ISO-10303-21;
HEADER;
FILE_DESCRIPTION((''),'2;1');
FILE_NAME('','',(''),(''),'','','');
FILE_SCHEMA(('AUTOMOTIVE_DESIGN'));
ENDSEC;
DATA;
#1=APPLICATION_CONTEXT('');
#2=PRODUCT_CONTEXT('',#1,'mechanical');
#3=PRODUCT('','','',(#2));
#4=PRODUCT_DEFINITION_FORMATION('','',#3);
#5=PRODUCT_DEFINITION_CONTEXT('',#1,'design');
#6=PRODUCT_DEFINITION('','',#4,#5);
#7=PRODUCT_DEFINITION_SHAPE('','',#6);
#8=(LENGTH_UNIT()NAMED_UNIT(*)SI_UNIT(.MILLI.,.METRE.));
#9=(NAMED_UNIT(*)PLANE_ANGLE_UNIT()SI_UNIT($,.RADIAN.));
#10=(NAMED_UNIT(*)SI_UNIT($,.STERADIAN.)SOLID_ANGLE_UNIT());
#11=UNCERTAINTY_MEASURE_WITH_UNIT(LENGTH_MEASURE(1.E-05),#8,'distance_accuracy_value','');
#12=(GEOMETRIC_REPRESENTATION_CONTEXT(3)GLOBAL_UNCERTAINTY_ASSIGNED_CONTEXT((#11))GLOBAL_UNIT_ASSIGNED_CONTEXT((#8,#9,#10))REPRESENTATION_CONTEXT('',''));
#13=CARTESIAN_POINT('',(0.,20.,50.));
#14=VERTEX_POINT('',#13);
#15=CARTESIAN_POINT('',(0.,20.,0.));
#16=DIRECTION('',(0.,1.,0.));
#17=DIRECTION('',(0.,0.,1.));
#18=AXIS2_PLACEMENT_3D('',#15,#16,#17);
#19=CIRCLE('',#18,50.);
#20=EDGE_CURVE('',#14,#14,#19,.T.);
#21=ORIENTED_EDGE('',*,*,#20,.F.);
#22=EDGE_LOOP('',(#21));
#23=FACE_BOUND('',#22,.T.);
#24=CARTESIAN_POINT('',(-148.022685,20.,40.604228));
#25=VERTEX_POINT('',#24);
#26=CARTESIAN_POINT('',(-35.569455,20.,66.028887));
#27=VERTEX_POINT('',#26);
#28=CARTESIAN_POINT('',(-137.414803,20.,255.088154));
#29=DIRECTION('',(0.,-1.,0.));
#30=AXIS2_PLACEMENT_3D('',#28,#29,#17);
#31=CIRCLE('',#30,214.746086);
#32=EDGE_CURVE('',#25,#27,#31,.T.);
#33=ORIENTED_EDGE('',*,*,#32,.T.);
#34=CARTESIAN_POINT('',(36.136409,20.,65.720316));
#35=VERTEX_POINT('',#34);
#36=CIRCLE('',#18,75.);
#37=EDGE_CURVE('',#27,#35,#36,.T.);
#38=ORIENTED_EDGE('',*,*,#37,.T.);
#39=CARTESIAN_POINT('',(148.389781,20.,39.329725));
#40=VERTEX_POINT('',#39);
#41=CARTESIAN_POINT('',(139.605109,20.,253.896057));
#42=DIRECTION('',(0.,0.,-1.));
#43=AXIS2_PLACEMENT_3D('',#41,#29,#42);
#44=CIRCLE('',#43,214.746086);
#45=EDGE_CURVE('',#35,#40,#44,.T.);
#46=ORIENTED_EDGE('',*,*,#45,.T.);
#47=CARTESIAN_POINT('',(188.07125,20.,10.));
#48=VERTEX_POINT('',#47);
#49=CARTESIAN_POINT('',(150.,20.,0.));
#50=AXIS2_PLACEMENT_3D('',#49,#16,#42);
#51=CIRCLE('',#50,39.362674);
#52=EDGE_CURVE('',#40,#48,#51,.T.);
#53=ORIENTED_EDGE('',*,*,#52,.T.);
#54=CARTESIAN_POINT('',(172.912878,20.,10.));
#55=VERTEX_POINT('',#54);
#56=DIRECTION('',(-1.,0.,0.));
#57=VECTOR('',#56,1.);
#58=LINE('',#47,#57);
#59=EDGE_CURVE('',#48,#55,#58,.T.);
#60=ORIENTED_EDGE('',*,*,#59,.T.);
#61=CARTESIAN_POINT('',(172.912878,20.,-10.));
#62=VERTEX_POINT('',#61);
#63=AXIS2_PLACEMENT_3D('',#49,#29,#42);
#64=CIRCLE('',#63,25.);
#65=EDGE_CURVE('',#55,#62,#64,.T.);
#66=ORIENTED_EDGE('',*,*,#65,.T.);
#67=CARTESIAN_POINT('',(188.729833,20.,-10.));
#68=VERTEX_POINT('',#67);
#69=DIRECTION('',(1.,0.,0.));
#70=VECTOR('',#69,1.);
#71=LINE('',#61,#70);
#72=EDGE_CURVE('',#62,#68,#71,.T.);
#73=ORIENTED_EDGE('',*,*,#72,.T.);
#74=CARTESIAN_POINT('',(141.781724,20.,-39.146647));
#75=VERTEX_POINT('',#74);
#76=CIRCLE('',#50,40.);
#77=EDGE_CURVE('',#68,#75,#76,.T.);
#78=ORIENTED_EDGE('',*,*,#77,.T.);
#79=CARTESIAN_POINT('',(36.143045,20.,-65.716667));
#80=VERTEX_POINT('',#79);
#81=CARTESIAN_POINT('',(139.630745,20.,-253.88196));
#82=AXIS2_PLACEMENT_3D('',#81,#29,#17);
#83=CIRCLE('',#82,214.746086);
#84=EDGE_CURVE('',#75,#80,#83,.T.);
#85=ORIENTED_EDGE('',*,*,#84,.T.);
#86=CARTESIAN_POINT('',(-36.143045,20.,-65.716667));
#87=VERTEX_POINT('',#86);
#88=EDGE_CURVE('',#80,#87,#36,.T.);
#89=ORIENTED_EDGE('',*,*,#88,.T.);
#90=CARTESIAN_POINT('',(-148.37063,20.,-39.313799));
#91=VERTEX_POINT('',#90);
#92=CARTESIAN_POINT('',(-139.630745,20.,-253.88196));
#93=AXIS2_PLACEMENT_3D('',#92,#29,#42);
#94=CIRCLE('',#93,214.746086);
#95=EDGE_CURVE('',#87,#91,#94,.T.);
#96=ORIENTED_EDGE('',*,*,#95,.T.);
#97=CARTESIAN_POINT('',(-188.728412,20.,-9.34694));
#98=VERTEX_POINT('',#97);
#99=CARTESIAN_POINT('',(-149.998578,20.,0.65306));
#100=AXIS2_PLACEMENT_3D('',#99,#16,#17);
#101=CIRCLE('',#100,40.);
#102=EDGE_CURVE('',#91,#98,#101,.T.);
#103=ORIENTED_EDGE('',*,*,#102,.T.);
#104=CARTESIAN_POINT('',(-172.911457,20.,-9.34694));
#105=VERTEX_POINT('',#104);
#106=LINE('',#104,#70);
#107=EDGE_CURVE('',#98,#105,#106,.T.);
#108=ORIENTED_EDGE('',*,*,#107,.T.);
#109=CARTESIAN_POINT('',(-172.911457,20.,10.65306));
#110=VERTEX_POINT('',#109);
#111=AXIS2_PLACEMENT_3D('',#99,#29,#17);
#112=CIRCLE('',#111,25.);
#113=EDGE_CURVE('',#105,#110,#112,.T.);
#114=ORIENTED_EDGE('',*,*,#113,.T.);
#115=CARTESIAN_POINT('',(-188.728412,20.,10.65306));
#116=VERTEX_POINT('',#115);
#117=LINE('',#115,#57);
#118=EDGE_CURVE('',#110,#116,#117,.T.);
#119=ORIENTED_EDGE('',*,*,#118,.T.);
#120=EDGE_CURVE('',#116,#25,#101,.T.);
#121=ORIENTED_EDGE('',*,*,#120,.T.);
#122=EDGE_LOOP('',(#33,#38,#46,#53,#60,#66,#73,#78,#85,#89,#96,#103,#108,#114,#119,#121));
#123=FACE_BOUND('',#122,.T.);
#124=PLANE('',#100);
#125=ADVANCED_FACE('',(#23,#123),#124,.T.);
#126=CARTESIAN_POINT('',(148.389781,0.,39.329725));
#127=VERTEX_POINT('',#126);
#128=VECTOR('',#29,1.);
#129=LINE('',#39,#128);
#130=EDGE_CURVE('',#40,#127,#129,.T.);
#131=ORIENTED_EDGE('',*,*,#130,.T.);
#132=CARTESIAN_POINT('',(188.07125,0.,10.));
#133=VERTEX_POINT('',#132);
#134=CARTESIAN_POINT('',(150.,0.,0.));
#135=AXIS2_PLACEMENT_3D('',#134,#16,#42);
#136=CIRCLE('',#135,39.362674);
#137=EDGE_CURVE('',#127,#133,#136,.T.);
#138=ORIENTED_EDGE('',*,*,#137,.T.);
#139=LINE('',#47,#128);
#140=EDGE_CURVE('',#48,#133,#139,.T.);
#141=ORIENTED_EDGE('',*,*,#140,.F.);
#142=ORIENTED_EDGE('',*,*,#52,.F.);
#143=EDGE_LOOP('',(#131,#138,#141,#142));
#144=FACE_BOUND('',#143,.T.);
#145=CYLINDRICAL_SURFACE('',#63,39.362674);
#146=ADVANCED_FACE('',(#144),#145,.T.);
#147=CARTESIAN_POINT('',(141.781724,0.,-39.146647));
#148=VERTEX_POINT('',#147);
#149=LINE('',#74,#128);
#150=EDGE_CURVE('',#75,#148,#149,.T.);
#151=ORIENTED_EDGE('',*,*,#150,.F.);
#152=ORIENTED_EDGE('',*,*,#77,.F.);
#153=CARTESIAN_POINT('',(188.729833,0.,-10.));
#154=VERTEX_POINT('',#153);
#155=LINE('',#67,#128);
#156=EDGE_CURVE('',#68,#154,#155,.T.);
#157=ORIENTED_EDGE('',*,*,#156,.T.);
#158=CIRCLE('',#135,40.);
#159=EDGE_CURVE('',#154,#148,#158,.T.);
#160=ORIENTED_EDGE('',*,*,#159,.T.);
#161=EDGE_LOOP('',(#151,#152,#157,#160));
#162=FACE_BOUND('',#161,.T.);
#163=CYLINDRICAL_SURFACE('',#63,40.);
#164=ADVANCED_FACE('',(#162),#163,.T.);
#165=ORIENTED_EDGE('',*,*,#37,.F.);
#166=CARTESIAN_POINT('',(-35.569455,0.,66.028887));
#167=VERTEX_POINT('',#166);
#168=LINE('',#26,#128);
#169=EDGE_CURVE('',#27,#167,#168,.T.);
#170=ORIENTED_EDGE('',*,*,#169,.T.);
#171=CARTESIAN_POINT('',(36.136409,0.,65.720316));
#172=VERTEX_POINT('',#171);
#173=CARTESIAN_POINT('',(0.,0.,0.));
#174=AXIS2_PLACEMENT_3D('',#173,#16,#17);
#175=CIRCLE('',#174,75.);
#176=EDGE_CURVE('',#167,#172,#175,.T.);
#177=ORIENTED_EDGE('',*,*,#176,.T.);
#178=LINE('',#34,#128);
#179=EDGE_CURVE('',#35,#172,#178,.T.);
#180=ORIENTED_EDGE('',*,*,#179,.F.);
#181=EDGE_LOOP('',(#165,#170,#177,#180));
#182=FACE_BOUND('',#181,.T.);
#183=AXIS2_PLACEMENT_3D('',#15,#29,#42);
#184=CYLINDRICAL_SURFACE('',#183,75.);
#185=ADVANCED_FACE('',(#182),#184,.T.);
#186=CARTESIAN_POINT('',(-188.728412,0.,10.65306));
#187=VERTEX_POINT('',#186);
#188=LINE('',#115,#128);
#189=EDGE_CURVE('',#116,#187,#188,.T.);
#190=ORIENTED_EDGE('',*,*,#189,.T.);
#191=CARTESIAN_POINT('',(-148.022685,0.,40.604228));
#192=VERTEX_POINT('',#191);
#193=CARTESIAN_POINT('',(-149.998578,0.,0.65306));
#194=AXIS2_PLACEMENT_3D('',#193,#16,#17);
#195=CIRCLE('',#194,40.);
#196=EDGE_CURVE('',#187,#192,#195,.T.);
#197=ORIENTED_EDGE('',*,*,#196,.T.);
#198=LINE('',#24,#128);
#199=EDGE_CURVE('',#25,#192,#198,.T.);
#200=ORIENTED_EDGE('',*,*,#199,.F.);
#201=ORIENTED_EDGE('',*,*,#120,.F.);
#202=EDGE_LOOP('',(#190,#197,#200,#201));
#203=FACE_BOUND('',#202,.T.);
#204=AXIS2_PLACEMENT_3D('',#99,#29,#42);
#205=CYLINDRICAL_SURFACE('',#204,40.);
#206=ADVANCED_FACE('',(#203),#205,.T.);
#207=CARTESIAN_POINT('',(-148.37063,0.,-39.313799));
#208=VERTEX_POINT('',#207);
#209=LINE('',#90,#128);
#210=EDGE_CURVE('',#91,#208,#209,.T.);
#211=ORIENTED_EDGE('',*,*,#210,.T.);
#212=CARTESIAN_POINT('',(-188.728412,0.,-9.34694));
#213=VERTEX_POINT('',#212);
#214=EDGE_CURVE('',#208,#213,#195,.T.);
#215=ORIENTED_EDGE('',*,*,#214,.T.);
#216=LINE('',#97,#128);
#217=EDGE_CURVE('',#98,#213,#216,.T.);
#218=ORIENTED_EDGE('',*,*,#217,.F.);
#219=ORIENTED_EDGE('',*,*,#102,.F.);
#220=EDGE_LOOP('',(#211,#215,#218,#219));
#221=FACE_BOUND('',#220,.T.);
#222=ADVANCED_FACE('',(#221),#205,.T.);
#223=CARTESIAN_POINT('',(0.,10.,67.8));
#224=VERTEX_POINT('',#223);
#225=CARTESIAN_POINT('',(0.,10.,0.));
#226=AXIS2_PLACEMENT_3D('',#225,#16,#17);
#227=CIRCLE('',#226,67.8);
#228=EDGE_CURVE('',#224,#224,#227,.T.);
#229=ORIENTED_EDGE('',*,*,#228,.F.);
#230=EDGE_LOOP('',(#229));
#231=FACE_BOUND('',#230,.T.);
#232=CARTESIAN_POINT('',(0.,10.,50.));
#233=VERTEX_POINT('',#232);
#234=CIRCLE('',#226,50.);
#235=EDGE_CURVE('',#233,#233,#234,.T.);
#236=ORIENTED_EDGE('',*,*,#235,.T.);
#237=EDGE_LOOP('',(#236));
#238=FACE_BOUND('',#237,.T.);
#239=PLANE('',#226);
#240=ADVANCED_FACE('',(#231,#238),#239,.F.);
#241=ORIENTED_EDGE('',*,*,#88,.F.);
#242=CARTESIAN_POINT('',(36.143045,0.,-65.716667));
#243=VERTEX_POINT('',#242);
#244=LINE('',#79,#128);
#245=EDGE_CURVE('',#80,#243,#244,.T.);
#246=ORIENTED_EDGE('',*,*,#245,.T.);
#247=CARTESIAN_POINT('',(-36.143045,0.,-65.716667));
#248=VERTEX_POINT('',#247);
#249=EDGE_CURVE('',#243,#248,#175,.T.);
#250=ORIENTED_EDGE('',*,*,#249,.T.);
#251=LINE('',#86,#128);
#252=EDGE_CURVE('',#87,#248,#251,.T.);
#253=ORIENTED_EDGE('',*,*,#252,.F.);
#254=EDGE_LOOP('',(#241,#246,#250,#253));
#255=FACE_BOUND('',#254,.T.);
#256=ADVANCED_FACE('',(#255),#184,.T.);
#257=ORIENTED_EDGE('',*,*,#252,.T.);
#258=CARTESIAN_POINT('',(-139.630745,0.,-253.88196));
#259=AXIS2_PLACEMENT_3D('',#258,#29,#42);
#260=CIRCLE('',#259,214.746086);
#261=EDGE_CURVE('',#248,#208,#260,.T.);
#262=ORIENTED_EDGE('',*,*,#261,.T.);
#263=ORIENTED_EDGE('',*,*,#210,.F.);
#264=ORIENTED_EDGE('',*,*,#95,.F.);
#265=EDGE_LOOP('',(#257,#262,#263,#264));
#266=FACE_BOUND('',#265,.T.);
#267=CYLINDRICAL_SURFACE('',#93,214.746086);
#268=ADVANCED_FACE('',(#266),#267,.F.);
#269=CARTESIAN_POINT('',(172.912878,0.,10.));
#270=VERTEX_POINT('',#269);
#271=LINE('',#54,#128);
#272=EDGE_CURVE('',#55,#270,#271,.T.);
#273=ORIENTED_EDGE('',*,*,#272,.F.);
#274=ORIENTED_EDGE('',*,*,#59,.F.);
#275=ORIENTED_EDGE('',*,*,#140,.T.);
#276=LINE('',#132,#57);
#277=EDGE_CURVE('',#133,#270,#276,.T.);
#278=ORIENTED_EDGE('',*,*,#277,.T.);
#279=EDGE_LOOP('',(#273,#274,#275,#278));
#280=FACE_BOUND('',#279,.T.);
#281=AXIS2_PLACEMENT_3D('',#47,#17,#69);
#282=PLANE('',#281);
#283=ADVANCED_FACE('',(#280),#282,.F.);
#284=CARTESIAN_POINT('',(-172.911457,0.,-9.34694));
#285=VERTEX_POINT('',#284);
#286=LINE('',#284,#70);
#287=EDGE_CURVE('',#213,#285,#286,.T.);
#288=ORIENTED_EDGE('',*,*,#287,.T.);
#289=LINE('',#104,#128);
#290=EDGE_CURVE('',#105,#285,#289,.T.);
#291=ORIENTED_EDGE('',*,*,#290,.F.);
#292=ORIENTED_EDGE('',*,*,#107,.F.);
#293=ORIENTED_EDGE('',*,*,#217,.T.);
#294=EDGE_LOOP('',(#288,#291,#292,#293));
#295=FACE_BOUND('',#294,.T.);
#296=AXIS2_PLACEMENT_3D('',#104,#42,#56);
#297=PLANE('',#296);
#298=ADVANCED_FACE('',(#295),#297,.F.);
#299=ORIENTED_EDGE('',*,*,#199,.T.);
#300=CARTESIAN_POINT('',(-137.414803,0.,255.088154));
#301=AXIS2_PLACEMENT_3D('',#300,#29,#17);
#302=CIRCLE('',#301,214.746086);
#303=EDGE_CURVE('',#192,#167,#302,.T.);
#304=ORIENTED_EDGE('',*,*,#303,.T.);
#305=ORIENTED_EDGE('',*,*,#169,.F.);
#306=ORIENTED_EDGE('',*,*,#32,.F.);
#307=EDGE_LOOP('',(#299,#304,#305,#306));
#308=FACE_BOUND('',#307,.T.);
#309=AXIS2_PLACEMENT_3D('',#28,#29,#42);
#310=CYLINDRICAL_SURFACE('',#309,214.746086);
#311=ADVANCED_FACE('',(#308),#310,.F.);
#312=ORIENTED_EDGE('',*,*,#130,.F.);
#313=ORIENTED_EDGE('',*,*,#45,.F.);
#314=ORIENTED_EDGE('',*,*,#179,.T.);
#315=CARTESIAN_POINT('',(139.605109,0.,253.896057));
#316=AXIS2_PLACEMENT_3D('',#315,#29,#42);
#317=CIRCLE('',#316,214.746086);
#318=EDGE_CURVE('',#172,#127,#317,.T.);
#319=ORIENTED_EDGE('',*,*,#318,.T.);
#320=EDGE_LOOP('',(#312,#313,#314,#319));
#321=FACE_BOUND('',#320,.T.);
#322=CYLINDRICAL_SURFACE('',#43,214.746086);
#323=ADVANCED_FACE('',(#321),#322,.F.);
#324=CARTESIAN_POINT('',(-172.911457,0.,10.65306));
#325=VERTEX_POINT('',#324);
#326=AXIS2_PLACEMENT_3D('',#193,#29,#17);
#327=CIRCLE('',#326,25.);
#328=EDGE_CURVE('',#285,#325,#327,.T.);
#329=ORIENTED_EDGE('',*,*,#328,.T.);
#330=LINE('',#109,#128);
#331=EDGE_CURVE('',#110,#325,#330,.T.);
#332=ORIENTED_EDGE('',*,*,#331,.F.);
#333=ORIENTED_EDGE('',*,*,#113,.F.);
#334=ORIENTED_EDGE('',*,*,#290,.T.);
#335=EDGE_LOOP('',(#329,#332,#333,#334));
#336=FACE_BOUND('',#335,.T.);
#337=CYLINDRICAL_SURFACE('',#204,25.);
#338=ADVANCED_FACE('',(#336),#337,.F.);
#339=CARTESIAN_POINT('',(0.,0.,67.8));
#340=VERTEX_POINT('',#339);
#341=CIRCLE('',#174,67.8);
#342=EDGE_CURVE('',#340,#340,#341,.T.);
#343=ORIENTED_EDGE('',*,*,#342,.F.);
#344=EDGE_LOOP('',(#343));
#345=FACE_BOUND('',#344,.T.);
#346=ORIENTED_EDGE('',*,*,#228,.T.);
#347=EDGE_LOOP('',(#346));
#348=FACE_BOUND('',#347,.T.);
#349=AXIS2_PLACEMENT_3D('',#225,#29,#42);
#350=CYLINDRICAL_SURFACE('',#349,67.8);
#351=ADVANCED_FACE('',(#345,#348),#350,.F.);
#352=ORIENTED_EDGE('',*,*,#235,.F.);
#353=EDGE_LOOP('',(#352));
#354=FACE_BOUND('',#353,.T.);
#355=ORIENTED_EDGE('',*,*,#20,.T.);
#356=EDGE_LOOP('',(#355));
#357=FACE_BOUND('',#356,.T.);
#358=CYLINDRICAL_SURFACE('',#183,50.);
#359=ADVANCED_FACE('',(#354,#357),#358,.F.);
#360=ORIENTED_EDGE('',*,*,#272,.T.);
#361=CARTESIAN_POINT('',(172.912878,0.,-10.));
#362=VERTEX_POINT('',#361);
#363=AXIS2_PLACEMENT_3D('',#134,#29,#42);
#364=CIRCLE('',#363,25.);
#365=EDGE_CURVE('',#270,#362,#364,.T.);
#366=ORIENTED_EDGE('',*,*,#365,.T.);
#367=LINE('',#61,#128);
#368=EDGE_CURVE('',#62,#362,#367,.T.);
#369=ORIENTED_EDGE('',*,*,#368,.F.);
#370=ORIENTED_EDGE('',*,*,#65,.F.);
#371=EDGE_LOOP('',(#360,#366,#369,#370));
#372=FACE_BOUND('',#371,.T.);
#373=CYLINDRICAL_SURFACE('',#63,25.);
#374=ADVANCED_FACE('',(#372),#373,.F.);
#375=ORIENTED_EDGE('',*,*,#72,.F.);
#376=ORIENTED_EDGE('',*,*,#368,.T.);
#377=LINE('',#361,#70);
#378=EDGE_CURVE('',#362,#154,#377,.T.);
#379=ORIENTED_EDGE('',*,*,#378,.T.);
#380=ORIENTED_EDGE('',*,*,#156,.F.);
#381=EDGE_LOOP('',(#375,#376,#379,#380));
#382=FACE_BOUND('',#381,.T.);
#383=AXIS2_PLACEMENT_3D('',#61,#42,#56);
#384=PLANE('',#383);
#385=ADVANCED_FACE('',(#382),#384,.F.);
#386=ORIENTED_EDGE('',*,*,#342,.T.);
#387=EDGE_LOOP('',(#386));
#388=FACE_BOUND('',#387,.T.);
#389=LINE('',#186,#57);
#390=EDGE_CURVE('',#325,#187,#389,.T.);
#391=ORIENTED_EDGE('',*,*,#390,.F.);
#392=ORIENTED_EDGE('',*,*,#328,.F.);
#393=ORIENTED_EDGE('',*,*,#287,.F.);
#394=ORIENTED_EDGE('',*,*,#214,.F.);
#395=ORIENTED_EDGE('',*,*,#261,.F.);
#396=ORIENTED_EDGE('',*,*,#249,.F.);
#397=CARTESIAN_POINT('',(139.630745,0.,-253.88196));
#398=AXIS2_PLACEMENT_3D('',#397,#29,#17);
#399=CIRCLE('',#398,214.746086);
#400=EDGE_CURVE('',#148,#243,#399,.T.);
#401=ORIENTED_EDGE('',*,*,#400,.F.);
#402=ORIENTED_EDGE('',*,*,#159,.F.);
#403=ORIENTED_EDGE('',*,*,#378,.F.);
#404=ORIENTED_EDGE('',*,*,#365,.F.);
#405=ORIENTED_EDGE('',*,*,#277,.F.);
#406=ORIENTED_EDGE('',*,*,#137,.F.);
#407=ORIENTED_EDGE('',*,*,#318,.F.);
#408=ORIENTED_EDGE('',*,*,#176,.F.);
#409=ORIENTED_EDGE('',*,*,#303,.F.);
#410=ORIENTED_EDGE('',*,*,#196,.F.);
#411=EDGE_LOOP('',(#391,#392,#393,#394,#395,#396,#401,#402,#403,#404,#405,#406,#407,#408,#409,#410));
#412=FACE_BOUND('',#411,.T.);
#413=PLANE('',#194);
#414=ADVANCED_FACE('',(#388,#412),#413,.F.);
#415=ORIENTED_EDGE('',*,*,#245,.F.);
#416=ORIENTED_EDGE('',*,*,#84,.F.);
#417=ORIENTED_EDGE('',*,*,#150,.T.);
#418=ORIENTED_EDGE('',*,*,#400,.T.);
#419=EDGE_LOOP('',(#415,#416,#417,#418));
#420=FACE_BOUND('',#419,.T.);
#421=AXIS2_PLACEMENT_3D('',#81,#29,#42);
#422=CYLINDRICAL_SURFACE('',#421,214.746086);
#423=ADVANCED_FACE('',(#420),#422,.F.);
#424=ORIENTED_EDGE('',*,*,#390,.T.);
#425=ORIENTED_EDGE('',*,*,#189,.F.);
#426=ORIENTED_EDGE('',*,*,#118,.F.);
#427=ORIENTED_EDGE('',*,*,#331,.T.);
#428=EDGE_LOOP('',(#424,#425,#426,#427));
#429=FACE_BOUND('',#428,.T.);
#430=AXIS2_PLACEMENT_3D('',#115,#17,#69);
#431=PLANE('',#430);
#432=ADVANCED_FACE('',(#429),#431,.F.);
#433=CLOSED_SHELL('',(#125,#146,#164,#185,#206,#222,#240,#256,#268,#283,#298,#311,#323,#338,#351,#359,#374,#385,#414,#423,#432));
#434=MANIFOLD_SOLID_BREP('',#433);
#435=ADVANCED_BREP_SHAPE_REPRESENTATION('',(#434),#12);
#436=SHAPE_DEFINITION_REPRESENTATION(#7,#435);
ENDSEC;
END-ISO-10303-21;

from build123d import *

# Parameters (mm, degrees)
SKETCH1_R           = 50
BOSS_EXTRUDE1_DEPTH = 20
SKETCH2_R           = 67.8
SKETCH2_R_2         = 50
CUT_EXTRUDE2_DEPTH  = 10


with BuildPart() as part:
    # Sketch1 → Boss-Extrude1 (new body)
    with BuildSketch(Plane(origin=(0, 0, 0), x_dir=(1, 0, 0), z_dir=(0, 1, 0))):
        with BuildLine():
            Line((172.912878475, 10), (188.729833462, 10))
            ThreePointArc((188.729833462, 10), (171.097880047, 33.983517439), (141.78172432, 39.146646662))
            ThreePointArc((141.78172432, 39.146646662), (87.249696592, 45.62224876), (36.143045028, 65.716666806))
            ThreePointArc((36.143045028, 65.716666806), (0, 75), (-36.143045028, 65.716666806))
            ThreePointArc((-36.143045028, 65.716666806), (-90.451837404, 44.84292871), (-148.370630479, 39.313798563))
            ThreePointArc((-148.370630479, 39.313798563), (-173.844765312, 31.461724235), (-188.728411831, 9.346939972))
            Line((-188.728411831, 9.346939972), (-172.911456843, 9.346939972))
            ThreePointArc((-172.911456843, 9.346939972), (-124.998578369, -0.653060028), (-172.911456843, -10.653060028))
            Line((-172.911456843, -10.653060028), (-188.728411831, -10.653060028))
            ThreePointArc((-188.728411831, -10.653060028), (-173.704720096, -32.871359866), (-148.022685389, -40.604228308))
            ThreePointArc((-148.022685389, -40.604228308), (-90.057943753, -45.628827643), (-35.569454559, -66.028886878))
            ThreePointArc((-35.569454559, -66.028886878), (0.322743626, -74.999305574), (36.136409347, -65.720315881))
            ThreePointArc((36.136409347, -65.720315881), (90.458572132, -44.849413277), (148.389781211, -39.3297249))
            ThreePointArc((148.389781211, -39.3297249), (173.396792242, -31.654544351), (188.071249852, -10))
            Line((188.071249852, -10), (172.912878475, -10))
            ThreePointArc((172.912878475, -10), (125, 0), (172.912878475, 10))
        make_face()
        with Locations(Location((0, 0, 0), (0, 0, 270))):
            Circle(SKETCH1_R, mode=Mode.SUBTRACT)
    extrude(amount=BOSS_EXTRUDE1_DEPTH)

    # Sketch2 → Cut-Extrude2 (cut)
    with BuildSketch(Plane(origin=(0, 0, 0), x_dir=(1, 0, 0), z_dir=(0, 1, 0))):
        with Locations(Location((0, 0, 0), (0, 0, 270))):
            Circle(SKETCH2_R)
        with Locations(Location((0, 0, 0), (0, 0, 270))):
            Circle(SKETCH2_R_2, mode=Mode.SUBTRACT)
    extrude(amount=CUT_EXTRUDE2_DEPTH, mode=Mode.SUBTRACT)


solid = part.part
